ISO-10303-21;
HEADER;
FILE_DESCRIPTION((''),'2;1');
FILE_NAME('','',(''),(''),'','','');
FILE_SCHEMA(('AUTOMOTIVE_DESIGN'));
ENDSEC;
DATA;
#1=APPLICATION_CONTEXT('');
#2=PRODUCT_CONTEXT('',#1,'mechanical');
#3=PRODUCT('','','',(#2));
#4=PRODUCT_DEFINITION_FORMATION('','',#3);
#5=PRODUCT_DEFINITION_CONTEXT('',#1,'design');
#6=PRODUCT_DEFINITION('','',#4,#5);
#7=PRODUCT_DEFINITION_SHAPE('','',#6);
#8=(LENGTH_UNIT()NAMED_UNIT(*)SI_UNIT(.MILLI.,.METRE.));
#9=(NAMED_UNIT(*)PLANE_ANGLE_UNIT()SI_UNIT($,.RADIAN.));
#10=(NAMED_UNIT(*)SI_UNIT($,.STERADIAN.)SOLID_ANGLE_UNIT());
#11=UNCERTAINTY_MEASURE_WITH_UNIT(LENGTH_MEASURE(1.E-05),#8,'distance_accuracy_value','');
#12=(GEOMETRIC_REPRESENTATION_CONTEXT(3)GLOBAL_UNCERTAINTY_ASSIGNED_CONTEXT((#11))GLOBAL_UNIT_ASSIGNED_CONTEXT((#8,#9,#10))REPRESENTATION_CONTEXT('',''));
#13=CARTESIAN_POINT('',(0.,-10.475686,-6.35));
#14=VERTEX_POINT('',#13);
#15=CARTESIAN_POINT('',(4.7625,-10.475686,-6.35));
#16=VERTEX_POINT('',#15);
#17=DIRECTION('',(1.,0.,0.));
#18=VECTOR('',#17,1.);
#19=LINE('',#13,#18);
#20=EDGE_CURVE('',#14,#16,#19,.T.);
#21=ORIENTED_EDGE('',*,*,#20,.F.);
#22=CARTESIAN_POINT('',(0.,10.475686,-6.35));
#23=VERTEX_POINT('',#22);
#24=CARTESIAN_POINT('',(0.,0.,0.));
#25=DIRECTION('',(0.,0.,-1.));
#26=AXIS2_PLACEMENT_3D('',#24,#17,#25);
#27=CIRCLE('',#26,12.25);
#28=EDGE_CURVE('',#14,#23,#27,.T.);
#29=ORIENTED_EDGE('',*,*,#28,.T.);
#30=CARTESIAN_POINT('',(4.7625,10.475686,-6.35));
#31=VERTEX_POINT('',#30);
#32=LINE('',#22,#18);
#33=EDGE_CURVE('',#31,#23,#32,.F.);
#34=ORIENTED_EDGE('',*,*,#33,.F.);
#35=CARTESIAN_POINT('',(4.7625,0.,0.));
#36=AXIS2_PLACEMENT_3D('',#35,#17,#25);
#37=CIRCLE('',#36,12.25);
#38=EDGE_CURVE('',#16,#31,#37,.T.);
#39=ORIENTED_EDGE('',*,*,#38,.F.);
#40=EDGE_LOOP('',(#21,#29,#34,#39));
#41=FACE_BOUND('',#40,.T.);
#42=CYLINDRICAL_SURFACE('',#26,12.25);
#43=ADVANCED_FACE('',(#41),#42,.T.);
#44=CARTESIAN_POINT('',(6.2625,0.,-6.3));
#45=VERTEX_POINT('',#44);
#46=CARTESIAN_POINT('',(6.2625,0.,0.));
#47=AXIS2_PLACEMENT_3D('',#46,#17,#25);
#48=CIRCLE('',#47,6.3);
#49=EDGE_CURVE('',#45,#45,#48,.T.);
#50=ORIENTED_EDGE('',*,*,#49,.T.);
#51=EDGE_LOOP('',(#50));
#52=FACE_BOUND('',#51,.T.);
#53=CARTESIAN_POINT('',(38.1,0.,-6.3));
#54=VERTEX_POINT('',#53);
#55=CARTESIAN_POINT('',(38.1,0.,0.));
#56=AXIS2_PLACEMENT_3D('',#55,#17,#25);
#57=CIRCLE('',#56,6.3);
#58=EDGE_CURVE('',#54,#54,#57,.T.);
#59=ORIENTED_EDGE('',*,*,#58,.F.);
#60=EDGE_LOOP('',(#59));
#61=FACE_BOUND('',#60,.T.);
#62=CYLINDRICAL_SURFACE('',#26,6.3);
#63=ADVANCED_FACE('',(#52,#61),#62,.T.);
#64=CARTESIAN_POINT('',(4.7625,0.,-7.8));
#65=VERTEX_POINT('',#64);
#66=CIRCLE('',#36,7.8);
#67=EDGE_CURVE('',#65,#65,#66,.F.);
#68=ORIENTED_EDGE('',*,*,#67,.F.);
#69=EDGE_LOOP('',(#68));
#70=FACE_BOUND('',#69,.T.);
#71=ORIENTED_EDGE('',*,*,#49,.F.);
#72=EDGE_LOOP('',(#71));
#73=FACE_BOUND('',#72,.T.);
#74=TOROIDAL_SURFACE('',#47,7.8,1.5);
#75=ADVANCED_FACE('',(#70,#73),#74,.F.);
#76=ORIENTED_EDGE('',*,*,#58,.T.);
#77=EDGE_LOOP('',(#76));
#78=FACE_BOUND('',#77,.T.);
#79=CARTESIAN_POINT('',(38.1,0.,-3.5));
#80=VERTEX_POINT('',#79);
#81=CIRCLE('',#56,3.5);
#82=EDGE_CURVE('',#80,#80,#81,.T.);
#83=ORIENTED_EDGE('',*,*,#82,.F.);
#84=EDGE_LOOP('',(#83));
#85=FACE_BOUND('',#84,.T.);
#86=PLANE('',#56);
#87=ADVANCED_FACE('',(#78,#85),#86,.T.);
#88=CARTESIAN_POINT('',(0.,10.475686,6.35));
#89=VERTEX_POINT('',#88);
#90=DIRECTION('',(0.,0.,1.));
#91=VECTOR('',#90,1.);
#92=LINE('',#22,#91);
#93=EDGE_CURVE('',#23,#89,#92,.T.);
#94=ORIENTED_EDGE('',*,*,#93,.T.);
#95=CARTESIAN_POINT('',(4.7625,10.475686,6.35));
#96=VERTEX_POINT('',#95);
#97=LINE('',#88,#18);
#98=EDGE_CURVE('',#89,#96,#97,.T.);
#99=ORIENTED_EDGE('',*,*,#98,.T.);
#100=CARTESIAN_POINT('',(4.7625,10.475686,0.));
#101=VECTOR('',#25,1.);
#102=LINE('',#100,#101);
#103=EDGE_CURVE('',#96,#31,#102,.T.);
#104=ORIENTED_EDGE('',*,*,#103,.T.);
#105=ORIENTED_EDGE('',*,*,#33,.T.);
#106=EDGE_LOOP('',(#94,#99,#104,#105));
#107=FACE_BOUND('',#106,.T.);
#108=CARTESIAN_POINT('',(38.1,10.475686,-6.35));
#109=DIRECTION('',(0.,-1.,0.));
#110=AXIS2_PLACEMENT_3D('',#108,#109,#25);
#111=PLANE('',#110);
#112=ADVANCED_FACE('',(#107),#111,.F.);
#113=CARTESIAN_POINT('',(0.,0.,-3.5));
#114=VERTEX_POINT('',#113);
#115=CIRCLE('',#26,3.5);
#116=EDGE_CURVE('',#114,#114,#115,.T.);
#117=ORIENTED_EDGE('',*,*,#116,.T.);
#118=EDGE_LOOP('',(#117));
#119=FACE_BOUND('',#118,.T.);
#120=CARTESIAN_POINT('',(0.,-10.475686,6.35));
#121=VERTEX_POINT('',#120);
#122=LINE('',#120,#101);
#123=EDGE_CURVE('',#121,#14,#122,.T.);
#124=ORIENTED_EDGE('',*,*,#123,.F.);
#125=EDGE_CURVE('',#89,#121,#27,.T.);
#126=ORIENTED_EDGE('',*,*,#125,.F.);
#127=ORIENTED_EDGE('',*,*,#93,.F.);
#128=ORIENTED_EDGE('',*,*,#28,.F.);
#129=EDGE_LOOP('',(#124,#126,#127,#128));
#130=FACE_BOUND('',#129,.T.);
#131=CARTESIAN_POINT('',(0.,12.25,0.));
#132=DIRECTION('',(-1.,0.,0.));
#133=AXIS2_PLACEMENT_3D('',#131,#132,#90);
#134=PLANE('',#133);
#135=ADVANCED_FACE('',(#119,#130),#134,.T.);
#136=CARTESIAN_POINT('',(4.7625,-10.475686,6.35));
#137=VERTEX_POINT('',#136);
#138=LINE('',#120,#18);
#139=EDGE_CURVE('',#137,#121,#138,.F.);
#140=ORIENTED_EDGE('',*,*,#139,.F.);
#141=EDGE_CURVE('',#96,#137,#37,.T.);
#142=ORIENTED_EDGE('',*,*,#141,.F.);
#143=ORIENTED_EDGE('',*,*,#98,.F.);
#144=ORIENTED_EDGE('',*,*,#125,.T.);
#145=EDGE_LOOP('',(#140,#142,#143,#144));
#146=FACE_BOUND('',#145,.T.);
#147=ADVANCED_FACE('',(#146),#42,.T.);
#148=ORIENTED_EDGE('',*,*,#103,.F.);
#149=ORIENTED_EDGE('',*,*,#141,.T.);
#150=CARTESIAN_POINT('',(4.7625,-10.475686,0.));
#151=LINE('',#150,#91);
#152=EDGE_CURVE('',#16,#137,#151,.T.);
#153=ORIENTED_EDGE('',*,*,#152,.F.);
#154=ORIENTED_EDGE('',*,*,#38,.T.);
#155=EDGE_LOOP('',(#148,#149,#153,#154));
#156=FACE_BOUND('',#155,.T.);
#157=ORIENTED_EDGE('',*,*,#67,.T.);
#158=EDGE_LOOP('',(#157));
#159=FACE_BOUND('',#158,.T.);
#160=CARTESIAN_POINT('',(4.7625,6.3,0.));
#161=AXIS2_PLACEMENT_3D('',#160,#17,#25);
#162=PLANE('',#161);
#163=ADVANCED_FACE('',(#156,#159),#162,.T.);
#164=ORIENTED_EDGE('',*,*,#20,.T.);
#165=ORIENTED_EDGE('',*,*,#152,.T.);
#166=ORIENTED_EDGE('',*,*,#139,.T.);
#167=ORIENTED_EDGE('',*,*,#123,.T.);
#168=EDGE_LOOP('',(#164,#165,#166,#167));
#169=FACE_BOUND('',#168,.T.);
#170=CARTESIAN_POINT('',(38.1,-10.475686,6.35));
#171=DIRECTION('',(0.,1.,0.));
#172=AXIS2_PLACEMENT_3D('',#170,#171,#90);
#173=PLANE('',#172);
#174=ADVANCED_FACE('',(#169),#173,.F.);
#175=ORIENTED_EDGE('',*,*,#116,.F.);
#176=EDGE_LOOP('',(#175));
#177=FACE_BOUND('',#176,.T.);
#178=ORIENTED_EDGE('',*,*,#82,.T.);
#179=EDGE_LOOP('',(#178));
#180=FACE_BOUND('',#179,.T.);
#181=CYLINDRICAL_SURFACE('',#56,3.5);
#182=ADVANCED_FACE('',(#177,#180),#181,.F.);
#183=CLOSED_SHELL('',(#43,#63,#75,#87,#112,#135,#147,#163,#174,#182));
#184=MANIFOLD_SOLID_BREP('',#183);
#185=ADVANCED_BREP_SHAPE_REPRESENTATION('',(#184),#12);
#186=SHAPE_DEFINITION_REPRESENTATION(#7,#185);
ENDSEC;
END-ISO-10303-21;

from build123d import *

# Parameters (mm, degrees)
FILLET1_R                            = 1.5
F_5_16_18_MAKE_SURE_TO_CHANGE_THIS_D = 7
CUT_EXTRUDE1_DEPTH                   = 42.853733412


with BuildPart() as part:
    # Sketch1 → Revolve1 (revolve)
    with BuildSketch(Plane.XY, mode=Mode.PRIVATE) as revolve1_sk:
        Polygon((0, 0), (38.1, 0), (38.1, 6.299999973), (4.7625, 6.299999973), (4.7625, 12.250000011), (0, 12.250000011), align=None)
    revolve(revolve1_sk.sketch.rotate(Axis((0, 0, 0), (-1, 0, 0)), 90), axis=Axis((0, 0, 0), (-1, 0, 0)))

    # Fillet1
    fillet1_edges = [part.edges().sort_by_distance(p)[0] for p in [
        (4.7625, 0, 6.299999973),
    ]]
    fillet(fillet1_edges, radius=FILLET1_R)

    # 5/16-18 MAKE SURE TO CHANGE THIS (through all)
    with Locations(Plane(origin=(38.1, 0, 0), x_dir=(0, 0, -1), z_dir=(1, 0, 0))):
        with Locations((0, 0)):
            Hole(F_5_16_18_MAKE_SURE_TO_CHANGE_THIS_D / 2)

    # Sketch4 → Cut-Extrude1 (cut, through all)
    with BuildSketch(Plane.ZY):
        with BuildLine():
            Line((-6.35, 10.475686148), (6.35, 10.475686148))
            ThreePointArc((6.35, 10.475686148), (0, 12.250000011), (-6.35, 10.475686148))
        make_face()
        with BuildLine():
            Line((6.35, -10.475686148), (-6.35, -10.475686148))
            ThreePointArc((-6.35, -10.475686148), (0, -12.250000011), (6.35, -10.475686148))
        make_face()
    extrude(amount=-CUT_EXTRUDE1_DEPTH, mode=Mode.SUBTRACT)


solid = part.part
